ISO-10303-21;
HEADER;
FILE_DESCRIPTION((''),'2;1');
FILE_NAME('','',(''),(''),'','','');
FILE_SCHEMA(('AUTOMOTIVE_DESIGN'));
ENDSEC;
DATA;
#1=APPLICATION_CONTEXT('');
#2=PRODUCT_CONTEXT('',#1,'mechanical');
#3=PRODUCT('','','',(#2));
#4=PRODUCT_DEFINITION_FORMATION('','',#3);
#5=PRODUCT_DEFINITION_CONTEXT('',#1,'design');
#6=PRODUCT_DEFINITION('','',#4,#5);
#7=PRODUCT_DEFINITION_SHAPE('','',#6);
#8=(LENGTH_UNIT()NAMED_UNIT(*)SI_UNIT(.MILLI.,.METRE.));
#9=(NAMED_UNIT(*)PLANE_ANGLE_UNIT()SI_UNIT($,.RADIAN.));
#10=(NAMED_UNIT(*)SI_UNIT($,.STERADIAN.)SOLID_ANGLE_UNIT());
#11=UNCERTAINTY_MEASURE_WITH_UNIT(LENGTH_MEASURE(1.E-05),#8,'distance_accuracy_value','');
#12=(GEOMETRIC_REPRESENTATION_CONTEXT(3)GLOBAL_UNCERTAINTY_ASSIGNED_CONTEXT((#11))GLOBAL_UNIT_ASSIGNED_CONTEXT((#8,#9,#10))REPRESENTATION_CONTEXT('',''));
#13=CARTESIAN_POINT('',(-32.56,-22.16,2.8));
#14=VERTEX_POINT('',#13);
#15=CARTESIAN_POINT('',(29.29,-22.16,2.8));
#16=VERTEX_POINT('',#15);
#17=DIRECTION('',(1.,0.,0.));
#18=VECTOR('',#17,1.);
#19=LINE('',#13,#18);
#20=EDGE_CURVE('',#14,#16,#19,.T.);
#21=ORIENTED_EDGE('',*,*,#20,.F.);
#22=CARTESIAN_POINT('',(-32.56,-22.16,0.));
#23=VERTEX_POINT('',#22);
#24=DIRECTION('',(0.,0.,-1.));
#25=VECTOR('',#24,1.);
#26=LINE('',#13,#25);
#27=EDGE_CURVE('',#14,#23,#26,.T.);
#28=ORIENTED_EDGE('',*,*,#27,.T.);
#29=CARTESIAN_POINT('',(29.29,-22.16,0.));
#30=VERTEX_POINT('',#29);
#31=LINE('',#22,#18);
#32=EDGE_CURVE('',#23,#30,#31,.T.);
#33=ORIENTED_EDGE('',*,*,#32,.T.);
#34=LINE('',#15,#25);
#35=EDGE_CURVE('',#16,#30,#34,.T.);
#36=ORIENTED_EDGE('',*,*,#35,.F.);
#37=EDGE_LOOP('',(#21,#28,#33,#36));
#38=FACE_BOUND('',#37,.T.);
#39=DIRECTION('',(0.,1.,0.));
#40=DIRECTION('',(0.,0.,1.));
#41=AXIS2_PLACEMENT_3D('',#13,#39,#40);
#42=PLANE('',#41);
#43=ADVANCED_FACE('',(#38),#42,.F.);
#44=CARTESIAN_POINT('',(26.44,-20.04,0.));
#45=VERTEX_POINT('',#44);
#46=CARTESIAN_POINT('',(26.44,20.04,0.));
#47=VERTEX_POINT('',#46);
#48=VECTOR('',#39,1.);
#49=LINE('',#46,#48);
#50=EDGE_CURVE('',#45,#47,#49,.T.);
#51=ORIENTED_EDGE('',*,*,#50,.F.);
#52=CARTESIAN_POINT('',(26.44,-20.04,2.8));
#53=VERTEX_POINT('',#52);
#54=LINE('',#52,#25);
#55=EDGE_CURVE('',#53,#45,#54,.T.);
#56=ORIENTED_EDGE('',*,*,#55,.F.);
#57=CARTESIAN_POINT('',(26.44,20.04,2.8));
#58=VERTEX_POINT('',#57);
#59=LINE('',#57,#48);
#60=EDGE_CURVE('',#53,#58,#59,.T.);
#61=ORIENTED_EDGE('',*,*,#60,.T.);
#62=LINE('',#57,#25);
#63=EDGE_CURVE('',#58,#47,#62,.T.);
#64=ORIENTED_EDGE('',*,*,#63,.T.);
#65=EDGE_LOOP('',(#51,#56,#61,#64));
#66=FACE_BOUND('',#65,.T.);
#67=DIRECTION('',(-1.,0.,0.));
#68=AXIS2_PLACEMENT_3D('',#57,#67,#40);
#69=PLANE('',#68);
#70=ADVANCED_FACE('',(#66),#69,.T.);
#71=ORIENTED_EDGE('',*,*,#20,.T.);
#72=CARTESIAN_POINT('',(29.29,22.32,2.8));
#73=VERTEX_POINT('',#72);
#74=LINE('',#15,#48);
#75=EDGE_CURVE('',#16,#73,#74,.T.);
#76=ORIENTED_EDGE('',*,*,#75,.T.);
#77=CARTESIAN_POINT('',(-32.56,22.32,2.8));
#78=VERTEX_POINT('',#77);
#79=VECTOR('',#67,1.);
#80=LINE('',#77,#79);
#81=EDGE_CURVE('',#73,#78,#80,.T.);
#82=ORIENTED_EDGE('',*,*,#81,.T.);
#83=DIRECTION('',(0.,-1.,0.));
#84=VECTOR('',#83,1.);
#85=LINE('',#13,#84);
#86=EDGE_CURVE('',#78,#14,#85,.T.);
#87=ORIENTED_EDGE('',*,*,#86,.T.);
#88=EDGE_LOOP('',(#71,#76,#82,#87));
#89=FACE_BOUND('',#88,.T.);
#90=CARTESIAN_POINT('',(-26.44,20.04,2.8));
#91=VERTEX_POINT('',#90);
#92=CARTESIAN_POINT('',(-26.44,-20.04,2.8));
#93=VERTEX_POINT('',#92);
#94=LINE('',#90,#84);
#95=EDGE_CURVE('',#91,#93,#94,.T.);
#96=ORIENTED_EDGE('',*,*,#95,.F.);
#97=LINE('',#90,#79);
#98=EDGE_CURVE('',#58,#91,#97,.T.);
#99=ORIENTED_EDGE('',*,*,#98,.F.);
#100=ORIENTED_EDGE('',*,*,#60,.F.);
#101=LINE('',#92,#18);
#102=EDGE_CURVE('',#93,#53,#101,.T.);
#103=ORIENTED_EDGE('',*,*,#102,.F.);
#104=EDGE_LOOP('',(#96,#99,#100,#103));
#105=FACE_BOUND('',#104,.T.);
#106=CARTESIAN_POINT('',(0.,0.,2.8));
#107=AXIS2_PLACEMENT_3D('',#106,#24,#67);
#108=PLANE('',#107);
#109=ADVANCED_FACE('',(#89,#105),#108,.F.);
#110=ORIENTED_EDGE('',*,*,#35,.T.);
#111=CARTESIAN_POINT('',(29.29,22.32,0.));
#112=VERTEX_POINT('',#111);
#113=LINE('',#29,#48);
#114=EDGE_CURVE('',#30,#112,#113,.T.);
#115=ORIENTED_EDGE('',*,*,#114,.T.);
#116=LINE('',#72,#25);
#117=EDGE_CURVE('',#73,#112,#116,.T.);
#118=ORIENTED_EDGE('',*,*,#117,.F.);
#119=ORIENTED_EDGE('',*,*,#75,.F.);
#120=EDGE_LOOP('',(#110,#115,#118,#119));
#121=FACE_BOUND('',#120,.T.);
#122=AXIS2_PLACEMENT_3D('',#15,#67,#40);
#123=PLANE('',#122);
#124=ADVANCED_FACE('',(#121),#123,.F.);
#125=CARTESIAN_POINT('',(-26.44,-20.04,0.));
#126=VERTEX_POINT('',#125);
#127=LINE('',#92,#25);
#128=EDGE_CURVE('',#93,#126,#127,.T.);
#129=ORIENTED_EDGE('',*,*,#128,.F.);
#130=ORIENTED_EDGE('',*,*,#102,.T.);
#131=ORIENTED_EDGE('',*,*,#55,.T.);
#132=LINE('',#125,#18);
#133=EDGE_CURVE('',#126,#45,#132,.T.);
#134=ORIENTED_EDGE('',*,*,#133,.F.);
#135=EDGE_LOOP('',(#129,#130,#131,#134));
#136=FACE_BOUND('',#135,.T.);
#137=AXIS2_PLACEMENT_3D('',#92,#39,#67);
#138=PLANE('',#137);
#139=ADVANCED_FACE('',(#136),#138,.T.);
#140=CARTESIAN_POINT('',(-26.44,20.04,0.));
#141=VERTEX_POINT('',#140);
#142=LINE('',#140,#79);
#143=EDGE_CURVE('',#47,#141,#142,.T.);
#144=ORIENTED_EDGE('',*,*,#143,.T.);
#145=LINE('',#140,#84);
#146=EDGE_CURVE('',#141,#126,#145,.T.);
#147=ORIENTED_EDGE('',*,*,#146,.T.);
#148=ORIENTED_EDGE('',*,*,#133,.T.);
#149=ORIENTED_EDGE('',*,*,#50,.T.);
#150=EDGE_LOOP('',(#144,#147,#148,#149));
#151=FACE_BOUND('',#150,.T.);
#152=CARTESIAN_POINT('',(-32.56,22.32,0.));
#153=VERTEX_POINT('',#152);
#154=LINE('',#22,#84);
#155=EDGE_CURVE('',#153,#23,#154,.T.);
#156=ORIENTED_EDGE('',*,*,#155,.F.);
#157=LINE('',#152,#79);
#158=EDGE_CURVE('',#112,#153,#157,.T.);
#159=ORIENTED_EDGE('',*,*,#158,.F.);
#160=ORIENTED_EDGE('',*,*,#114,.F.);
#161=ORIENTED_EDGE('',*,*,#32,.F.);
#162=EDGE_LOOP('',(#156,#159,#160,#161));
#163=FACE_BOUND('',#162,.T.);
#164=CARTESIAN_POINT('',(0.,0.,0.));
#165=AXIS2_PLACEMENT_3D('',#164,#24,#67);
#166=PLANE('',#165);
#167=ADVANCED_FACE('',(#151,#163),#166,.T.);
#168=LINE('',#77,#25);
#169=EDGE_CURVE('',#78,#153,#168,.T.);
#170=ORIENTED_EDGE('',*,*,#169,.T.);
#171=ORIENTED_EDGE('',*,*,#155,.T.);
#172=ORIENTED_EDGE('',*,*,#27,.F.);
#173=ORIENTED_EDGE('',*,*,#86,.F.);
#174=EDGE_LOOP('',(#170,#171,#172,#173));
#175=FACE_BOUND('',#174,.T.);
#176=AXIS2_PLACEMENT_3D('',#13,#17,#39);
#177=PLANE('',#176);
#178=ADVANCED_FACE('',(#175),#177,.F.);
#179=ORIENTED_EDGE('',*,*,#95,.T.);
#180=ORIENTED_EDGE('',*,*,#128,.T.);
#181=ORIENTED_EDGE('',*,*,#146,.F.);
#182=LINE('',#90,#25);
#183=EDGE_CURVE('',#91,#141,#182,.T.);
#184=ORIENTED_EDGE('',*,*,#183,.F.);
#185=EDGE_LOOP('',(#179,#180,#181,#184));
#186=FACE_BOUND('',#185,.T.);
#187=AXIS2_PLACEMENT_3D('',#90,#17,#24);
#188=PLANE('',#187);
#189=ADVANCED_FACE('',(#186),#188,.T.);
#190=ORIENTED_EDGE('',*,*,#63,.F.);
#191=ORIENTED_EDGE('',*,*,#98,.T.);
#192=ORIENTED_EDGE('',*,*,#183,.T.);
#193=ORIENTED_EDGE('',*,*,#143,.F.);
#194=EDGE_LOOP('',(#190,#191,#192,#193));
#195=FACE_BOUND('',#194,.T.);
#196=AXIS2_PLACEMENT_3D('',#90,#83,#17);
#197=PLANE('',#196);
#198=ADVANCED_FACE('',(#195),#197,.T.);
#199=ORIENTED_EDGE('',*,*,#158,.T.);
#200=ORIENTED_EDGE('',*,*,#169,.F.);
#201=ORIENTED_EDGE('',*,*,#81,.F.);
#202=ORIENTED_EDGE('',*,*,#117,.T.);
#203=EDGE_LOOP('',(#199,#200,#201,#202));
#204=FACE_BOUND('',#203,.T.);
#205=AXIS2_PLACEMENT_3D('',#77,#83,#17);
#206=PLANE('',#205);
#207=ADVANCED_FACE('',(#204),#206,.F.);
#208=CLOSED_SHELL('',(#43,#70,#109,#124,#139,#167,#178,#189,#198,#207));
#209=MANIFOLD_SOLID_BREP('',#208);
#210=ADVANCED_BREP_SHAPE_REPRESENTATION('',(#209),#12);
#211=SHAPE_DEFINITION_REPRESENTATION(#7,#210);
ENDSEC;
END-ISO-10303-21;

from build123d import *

# Parameters (mm, degrees)
SKETCH1_W           = 61.85
SKETCH1_H           = 44.48
SKETCH1_W_2         = 52.88
SKETCH1_H_2         = 40.08
BOSS_EXTRUDE1_DEPTH = 2.8


with BuildPart() as part:
    # Sketch1 → Boss-Extrude1 (new body)
    with BuildSketch(Plane.XY):
        with Locations((-1.635, 0.08)):
            Rectangle(SKETCH1_W, SKETCH1_H)
        Rectangle(SKETCH1_W_2, SKETCH1_H_2, mode=Mode.SUBTRACT)
    extrude(amount=BOSS_EXTRUDE1_DEPTH)


solid = part.part
